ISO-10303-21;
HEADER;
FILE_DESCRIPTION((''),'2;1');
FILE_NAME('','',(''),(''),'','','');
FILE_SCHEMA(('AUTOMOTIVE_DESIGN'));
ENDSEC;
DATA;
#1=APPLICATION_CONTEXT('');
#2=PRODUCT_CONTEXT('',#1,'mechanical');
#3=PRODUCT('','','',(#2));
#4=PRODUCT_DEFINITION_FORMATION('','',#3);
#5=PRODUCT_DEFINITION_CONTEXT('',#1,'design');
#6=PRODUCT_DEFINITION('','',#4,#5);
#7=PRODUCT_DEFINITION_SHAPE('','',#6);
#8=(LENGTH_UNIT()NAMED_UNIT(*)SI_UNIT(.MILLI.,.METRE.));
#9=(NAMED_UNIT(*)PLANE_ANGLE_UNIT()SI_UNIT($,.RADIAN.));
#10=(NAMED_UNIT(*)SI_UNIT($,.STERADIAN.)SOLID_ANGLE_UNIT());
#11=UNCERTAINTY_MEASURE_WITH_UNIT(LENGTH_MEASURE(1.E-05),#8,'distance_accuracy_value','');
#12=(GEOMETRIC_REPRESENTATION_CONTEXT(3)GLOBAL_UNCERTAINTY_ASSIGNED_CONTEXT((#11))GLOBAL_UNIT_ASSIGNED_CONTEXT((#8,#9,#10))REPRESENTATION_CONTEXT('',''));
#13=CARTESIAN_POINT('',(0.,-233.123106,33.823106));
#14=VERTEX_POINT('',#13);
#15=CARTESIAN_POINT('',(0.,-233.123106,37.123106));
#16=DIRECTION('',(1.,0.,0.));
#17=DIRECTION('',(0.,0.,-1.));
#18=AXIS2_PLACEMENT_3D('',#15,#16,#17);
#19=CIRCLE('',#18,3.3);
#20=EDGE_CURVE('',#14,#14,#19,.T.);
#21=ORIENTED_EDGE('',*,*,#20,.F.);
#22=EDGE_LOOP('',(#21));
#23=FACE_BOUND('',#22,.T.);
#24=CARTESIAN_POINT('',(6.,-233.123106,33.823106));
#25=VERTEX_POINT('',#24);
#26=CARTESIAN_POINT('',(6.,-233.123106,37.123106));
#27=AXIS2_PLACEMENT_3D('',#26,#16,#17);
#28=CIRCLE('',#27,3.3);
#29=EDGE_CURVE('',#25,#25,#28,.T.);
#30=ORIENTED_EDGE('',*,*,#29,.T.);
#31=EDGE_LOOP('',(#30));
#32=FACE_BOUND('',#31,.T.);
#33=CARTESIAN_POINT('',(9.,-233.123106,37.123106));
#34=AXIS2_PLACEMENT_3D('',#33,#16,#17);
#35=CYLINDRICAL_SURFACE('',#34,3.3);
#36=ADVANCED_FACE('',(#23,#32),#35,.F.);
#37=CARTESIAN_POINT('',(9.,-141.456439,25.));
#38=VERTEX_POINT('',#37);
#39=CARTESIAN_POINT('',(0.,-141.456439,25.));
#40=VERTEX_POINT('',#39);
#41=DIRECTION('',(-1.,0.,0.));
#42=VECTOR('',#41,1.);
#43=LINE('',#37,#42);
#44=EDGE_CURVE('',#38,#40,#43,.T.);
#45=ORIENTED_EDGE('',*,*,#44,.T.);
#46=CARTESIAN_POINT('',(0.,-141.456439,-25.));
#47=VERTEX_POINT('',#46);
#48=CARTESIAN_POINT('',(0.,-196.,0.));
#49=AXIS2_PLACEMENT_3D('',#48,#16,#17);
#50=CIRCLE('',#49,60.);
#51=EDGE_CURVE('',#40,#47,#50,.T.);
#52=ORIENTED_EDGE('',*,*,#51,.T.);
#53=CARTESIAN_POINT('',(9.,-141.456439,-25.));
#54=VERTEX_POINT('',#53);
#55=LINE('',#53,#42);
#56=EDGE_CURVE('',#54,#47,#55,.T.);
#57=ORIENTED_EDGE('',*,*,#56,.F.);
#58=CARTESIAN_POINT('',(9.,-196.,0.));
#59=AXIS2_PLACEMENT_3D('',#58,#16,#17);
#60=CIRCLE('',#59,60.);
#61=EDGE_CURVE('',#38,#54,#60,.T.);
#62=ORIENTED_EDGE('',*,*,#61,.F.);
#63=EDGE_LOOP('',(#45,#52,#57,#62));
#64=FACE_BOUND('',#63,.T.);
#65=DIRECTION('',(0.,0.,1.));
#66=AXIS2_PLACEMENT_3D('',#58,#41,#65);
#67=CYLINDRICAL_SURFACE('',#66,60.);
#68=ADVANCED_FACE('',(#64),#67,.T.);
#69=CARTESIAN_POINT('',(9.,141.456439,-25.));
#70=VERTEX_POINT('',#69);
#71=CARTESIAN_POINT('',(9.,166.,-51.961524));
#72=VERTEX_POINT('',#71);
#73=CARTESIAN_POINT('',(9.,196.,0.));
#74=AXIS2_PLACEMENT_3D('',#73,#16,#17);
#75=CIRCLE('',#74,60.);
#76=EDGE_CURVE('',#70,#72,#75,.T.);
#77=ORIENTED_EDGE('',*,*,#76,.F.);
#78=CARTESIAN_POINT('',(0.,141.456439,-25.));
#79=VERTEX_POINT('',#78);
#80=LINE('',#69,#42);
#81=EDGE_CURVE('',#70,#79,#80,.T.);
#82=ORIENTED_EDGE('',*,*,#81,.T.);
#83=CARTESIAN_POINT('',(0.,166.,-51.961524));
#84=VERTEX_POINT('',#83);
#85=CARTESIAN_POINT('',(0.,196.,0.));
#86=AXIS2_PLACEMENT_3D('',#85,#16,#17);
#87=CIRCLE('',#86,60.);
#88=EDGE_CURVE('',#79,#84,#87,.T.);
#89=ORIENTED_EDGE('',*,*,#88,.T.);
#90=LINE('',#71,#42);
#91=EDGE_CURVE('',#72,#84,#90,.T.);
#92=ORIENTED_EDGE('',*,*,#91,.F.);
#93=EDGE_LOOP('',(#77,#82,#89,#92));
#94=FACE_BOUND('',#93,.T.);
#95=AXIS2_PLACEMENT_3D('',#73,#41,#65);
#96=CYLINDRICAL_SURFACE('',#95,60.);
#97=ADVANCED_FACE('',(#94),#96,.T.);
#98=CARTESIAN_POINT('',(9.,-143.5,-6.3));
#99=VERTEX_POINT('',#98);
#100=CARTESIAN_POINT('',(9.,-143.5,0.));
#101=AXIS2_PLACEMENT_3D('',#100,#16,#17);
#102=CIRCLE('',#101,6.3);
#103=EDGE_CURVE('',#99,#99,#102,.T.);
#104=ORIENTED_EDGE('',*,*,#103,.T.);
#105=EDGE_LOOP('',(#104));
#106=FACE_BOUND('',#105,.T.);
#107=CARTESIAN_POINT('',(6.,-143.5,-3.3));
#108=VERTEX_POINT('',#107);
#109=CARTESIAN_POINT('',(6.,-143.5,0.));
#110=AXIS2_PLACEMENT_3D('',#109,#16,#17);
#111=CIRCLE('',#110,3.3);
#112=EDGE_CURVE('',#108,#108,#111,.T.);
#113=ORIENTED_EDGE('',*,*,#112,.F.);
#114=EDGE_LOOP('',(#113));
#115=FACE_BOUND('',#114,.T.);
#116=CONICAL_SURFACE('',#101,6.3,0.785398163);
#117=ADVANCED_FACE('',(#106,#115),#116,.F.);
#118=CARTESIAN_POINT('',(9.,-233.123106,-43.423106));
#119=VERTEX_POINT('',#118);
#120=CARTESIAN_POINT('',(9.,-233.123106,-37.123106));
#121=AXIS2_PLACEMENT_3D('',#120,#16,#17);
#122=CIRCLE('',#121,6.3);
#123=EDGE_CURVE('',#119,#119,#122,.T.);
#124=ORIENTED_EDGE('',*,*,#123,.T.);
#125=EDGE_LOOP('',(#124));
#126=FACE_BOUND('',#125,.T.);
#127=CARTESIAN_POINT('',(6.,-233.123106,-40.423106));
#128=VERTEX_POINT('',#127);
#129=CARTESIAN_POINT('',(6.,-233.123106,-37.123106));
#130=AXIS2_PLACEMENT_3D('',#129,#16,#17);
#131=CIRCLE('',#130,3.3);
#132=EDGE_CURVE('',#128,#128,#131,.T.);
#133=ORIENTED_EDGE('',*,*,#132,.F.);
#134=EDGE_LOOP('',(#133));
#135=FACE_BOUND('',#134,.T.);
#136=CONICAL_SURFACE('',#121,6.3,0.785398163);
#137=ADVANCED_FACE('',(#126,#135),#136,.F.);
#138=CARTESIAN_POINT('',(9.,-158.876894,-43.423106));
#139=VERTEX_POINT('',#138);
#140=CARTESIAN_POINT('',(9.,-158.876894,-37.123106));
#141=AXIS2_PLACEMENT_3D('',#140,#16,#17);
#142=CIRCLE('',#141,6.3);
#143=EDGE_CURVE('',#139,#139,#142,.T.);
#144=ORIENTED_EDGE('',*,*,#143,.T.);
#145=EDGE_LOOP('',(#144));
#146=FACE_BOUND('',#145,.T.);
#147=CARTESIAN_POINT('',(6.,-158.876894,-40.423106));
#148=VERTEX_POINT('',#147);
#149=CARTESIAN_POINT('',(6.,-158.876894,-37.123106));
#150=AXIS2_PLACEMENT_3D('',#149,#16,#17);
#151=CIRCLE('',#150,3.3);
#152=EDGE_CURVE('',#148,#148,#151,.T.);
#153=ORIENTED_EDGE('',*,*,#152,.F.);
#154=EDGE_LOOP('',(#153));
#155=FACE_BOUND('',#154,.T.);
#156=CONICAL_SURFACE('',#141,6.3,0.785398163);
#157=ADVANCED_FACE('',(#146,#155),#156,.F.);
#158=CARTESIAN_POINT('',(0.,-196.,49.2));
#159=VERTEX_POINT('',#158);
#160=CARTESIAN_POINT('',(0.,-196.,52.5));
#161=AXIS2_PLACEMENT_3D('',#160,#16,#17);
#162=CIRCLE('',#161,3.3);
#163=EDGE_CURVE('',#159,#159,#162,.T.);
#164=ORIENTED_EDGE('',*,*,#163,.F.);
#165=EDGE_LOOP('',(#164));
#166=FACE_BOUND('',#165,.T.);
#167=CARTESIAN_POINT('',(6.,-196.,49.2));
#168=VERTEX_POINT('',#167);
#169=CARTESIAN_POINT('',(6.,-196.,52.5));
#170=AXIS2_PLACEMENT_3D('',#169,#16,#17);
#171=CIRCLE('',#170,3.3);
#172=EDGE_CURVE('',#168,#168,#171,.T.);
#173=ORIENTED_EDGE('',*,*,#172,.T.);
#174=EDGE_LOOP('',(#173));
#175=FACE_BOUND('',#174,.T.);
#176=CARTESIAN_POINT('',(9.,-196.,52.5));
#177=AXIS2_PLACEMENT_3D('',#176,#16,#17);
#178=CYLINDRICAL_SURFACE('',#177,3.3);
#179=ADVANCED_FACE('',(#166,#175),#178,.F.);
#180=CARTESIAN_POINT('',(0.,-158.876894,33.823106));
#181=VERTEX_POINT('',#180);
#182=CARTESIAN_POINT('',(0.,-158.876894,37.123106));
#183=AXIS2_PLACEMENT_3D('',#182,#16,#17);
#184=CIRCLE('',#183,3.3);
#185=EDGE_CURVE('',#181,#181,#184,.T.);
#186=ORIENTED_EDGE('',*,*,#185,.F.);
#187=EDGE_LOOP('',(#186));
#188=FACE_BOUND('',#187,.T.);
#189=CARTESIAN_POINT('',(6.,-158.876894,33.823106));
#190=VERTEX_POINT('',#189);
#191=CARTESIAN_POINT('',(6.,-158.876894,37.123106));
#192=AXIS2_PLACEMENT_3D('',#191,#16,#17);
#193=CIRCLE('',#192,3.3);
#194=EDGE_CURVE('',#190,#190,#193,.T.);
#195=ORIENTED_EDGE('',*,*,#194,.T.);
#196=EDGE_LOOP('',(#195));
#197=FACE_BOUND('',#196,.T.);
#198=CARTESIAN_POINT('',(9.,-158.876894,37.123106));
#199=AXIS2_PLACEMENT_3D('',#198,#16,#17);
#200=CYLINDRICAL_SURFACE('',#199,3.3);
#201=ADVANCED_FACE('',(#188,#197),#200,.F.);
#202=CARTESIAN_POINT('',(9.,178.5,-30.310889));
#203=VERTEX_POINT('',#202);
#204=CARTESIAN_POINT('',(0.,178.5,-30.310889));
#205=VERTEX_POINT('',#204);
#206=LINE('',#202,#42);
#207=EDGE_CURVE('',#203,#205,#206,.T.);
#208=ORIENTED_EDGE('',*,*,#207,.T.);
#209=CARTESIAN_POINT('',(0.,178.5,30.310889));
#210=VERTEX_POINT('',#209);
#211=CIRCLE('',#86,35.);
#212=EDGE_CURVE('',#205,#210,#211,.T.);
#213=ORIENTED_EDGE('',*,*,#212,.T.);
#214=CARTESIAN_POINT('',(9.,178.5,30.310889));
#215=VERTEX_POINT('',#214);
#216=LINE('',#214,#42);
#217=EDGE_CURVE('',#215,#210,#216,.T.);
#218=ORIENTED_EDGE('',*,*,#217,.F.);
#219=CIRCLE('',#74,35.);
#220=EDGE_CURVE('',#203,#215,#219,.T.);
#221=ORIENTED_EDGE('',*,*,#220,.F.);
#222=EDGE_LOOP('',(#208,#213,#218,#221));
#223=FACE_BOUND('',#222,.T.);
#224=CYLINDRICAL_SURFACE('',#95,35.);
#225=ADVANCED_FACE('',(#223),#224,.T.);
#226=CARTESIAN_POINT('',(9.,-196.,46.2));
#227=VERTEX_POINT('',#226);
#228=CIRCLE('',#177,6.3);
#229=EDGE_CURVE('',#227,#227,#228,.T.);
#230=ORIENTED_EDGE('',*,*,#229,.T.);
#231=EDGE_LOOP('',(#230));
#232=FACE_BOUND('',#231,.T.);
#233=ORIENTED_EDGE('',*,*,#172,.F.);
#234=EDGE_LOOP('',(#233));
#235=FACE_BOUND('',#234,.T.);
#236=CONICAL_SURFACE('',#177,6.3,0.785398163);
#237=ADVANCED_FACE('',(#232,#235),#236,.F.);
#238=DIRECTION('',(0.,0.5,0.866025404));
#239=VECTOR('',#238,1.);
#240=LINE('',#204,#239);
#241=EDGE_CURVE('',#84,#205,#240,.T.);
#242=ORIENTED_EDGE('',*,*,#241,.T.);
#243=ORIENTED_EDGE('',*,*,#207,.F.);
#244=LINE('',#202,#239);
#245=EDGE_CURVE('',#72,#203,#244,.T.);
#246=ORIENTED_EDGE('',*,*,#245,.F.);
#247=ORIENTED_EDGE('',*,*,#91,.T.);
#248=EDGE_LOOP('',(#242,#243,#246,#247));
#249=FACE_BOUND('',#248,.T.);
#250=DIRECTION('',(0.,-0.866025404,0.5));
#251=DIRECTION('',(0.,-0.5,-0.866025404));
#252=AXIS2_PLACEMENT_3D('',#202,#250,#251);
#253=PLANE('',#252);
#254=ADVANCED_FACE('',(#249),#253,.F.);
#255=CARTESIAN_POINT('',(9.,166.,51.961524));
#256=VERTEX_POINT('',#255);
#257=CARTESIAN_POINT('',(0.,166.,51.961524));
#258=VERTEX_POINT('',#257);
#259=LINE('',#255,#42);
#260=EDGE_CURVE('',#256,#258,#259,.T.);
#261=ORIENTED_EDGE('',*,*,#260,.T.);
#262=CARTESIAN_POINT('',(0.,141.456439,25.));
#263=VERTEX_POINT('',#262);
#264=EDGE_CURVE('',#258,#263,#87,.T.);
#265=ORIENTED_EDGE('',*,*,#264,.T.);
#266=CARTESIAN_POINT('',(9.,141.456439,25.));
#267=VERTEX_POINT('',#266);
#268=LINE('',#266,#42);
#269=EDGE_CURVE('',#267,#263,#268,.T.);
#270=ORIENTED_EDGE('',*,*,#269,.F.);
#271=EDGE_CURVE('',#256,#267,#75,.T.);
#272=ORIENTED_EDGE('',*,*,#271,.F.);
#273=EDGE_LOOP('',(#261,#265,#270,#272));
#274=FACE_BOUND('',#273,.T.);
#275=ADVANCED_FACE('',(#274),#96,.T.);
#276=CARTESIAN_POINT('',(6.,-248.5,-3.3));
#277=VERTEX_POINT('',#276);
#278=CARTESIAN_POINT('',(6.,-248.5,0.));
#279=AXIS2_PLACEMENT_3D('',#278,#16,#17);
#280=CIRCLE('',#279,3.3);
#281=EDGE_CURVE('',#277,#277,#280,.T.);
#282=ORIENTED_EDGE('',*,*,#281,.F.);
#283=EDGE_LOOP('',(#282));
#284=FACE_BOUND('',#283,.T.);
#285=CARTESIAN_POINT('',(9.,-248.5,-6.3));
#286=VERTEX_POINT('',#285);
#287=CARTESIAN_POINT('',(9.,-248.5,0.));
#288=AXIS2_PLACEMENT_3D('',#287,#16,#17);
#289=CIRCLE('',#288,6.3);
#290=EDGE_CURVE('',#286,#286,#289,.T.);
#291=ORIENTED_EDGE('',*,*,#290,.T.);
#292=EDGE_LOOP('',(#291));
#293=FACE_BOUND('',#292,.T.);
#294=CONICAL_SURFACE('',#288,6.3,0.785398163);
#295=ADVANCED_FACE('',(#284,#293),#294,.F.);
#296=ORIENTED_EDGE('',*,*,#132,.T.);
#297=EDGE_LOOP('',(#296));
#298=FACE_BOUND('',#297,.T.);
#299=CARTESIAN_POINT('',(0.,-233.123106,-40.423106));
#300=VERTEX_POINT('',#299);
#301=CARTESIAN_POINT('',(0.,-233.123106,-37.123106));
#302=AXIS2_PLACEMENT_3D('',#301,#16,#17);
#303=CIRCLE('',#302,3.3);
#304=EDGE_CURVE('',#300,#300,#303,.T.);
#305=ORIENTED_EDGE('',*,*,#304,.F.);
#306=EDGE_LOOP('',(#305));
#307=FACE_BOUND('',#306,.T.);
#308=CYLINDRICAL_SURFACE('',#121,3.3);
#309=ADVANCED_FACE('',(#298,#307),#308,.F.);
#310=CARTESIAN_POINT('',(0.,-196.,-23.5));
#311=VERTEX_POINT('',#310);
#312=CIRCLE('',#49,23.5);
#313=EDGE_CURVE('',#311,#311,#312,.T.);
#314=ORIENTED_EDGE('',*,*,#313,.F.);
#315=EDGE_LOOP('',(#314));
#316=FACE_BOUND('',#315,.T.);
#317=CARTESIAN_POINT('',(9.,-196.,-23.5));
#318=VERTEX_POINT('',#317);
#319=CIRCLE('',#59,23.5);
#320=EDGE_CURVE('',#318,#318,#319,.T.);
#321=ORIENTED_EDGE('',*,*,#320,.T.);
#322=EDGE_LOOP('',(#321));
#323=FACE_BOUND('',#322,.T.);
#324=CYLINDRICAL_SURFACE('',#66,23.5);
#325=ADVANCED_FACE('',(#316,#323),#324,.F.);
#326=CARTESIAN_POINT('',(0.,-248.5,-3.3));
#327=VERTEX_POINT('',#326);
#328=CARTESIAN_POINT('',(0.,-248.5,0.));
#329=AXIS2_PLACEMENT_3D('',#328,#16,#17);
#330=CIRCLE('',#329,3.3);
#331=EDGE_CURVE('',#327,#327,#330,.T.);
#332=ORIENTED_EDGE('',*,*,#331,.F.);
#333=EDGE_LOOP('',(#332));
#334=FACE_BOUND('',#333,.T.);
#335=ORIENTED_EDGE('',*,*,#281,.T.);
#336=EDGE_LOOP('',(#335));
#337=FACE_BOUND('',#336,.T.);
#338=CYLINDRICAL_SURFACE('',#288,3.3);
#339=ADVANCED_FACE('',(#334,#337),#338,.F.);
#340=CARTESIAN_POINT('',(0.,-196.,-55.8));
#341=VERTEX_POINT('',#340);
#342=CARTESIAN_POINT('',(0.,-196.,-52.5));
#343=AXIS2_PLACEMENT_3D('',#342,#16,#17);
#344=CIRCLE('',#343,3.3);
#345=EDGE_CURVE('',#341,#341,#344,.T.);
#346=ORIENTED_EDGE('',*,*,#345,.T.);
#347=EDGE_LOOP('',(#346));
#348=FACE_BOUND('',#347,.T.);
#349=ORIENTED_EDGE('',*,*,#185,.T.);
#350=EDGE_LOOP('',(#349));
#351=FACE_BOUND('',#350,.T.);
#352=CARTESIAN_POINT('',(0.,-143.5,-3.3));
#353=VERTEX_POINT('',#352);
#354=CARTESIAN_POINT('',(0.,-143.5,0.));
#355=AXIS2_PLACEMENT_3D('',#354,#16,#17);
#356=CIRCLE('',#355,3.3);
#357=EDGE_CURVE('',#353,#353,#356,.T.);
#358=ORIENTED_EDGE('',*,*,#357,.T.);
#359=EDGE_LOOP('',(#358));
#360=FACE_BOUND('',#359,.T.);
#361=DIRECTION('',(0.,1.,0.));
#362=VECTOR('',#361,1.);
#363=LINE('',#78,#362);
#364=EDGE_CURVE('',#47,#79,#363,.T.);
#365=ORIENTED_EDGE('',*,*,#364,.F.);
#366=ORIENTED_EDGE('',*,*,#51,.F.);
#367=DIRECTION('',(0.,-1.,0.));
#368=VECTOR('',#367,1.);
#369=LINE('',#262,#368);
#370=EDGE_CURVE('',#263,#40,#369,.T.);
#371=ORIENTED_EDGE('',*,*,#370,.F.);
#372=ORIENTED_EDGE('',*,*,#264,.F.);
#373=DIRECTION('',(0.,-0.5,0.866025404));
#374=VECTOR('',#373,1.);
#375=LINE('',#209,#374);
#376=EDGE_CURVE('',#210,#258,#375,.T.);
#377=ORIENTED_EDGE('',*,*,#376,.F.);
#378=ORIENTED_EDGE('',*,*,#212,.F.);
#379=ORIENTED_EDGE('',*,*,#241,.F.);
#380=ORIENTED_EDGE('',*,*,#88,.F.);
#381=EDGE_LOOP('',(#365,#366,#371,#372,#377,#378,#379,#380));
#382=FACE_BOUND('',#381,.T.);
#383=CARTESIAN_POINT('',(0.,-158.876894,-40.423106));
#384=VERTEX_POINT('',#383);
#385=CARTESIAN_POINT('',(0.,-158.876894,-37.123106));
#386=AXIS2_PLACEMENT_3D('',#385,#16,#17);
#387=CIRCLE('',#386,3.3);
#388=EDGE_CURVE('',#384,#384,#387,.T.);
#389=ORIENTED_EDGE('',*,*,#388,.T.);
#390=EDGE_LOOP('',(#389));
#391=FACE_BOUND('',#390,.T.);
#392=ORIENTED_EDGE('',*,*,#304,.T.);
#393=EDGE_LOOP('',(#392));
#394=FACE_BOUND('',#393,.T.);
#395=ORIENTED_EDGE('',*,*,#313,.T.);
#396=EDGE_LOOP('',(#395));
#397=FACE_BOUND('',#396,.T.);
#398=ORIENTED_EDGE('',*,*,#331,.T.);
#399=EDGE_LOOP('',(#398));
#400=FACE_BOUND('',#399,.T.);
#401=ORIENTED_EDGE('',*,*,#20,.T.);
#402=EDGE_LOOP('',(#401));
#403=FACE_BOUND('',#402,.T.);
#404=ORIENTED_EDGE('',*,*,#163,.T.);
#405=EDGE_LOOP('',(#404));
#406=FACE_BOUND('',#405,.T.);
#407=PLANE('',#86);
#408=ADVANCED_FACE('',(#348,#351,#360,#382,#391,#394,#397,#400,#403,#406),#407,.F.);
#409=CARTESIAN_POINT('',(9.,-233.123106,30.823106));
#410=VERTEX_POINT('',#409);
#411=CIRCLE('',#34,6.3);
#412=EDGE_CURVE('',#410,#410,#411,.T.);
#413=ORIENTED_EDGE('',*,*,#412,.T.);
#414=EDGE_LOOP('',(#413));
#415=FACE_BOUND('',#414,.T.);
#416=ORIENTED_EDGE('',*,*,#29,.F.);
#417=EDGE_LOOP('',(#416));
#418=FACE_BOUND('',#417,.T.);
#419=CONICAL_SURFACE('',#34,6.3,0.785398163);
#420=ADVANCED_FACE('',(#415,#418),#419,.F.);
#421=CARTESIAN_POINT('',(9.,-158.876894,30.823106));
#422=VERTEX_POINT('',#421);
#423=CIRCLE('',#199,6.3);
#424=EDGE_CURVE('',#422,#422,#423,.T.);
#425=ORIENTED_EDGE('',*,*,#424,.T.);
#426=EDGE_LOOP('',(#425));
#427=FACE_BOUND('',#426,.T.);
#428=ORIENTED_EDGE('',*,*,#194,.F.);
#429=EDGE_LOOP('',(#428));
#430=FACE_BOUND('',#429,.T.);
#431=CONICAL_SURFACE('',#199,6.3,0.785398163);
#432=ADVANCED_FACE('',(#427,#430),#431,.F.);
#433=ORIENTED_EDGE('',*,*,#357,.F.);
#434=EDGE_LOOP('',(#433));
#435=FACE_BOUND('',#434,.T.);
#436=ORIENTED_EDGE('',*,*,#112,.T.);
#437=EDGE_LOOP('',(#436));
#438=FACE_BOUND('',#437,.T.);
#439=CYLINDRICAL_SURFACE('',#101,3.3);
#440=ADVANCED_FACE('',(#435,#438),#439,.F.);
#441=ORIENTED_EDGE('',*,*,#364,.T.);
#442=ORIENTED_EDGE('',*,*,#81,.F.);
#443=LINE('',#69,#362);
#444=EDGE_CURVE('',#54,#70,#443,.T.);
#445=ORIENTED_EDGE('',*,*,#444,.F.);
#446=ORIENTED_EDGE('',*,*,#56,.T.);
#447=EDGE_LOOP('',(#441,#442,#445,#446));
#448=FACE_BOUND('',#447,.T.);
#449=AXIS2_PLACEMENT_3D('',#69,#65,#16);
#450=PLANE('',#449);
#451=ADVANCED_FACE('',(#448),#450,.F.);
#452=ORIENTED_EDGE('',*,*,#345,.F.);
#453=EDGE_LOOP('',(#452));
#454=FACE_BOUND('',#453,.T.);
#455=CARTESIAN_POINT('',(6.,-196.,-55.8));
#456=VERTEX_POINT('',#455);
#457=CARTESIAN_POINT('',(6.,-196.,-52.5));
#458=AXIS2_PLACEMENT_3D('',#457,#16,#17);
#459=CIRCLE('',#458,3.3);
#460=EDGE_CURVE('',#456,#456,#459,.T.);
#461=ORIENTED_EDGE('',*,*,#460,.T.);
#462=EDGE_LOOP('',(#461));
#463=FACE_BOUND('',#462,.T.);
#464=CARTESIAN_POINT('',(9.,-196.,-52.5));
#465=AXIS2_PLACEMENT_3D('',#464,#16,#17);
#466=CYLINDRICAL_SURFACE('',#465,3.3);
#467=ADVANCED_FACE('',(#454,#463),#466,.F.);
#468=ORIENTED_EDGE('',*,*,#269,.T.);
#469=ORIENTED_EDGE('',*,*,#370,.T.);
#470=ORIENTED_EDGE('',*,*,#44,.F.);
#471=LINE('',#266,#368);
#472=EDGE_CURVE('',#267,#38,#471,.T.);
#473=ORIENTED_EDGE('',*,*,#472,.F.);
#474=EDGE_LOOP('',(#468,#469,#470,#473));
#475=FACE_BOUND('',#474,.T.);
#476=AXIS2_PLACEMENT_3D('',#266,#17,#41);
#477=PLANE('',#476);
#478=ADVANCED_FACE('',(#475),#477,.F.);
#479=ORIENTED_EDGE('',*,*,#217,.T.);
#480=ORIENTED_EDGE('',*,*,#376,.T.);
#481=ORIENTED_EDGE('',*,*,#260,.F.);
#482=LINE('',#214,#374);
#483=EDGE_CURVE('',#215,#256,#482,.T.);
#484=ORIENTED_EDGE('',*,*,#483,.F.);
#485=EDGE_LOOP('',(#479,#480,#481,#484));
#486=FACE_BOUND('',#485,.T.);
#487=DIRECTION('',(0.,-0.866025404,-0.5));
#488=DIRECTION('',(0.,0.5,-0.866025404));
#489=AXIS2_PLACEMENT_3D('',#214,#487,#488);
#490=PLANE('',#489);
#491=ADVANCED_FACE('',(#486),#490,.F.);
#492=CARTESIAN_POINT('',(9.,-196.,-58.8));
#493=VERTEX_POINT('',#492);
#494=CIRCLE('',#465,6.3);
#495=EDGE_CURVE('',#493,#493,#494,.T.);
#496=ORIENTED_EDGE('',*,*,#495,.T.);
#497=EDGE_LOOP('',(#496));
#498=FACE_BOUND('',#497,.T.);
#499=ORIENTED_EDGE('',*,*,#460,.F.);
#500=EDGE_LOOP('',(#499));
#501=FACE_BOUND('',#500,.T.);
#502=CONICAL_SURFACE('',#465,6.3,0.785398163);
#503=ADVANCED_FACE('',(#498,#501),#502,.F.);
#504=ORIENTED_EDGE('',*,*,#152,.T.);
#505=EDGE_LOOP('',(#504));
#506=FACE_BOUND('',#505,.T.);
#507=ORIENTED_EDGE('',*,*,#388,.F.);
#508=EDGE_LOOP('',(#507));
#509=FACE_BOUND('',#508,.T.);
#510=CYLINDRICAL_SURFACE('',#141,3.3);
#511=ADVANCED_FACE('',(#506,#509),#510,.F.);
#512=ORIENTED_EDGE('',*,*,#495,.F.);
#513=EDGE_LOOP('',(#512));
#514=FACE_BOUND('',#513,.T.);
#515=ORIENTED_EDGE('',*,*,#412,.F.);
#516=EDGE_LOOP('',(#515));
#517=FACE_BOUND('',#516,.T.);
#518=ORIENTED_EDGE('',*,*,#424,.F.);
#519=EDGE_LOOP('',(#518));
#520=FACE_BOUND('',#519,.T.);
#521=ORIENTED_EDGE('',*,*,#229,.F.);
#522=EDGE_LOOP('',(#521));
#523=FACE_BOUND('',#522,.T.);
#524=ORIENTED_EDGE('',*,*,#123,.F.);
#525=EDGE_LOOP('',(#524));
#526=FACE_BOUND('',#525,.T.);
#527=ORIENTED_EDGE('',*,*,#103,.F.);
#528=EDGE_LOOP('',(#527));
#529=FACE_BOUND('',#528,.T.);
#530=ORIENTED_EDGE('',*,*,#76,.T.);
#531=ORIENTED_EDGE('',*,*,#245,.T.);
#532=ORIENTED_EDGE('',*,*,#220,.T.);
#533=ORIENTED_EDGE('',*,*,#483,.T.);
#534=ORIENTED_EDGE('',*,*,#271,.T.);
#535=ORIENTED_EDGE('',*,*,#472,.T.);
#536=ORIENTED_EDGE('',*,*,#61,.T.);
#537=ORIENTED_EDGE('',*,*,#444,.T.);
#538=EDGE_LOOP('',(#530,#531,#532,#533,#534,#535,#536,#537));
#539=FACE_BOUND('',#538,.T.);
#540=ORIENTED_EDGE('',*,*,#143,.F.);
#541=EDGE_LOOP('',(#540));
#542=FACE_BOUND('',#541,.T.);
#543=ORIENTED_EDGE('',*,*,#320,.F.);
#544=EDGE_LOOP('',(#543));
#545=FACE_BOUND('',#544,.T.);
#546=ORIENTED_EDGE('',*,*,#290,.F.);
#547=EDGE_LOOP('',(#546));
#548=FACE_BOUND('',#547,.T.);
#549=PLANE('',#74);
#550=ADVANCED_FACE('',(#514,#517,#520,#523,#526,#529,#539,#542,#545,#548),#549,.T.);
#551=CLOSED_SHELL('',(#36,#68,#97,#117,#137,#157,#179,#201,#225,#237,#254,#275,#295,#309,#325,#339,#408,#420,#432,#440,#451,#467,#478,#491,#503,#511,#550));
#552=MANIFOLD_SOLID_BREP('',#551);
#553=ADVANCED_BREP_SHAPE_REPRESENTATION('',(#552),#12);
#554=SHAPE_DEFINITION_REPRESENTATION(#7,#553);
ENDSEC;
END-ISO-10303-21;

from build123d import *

# Parameters (mm, degrees)
SKETCH1_R                                           = 23.5
BOSS_EXTRUDE1_DEPTH                                 = 9
CSK_FOR_M6_COUNTERSUNK_FLAT_HEAD_SCREW1_D           = 6.6
CSK_FOR_M6_COUNTERSUNK_FLAT_HEAD_SCREW1_CSINK_D     = 12.6
CSK_FOR_M6_COUNTERSUNK_FLAT_HEAD_SCREW1_CSINK_ANGLE = 90


with BuildPart() as part:
    # Sketch1 → Boss-Extrude1 (new body)
    with BuildSketch(Plane(origin=(0, 0, 0), x_dir=(0, 0, -1), z_dir=(1, 0, 0))):
        with BuildLine():
            Line((-30.310889132, 178.5), (-51.961524227, 166))
            ThreePointArc((-51.961524227, 166), (-40.390167668, 151.630704809), (-25, 141.456439427))
            Line((-25, 141.456439427), (-25, -141.456439427))
            ThreePointArc((-25, -141.456439427), (0, -256), (25, -141.456439427))
            Line((25, -141.456439427), (25, 141.456439427))
            ThreePointArc((25, 141.456439427), (40.390167668, 151.630704809), (51.961524227, 166))
            Line((51.961524227, 166), (30.310889132, 178.5))
            ThreePointArc((30.310889132, 178.5), (0, 231), (-30.310889132, 178.5))
        make_face()
        with Locations((0, -196)):
            Circle(SKETCH1_R, mode=Mode.SUBTRACT)
    extrude(amount=BOSS_EXTRUDE1_DEPTH)

    # CSK for M6 Countersunk Flat Head Screw1 (through all)
    with Locations(Plane(origin=(9, 0, 0), x_dir=(0, 0, -1), z_dir=(1, 0, 0))):
        with Locations((-37.123106012, -158.876893988), (0, -143.5), (37.123106012, -158.876893988), (52.5, -196), (37.123106012, -233.123106012), (0, -248.5), (-37.123106012, -233.123106012), (-52.5, -196)):
            CounterSinkHole(CSK_FOR_M6_COUNTERSUNK_FLAT_HEAD_SCREW1_D / 2, CSK_FOR_M6_COUNTERSUNK_FLAT_HEAD_SCREW1_CSINK_D / 2, counter_sink_angle=CSK_FOR_M6_COUNTERSUNK_FLAT_HEAD_SCREW1_CSINK_ANGLE)


solid = part.part
